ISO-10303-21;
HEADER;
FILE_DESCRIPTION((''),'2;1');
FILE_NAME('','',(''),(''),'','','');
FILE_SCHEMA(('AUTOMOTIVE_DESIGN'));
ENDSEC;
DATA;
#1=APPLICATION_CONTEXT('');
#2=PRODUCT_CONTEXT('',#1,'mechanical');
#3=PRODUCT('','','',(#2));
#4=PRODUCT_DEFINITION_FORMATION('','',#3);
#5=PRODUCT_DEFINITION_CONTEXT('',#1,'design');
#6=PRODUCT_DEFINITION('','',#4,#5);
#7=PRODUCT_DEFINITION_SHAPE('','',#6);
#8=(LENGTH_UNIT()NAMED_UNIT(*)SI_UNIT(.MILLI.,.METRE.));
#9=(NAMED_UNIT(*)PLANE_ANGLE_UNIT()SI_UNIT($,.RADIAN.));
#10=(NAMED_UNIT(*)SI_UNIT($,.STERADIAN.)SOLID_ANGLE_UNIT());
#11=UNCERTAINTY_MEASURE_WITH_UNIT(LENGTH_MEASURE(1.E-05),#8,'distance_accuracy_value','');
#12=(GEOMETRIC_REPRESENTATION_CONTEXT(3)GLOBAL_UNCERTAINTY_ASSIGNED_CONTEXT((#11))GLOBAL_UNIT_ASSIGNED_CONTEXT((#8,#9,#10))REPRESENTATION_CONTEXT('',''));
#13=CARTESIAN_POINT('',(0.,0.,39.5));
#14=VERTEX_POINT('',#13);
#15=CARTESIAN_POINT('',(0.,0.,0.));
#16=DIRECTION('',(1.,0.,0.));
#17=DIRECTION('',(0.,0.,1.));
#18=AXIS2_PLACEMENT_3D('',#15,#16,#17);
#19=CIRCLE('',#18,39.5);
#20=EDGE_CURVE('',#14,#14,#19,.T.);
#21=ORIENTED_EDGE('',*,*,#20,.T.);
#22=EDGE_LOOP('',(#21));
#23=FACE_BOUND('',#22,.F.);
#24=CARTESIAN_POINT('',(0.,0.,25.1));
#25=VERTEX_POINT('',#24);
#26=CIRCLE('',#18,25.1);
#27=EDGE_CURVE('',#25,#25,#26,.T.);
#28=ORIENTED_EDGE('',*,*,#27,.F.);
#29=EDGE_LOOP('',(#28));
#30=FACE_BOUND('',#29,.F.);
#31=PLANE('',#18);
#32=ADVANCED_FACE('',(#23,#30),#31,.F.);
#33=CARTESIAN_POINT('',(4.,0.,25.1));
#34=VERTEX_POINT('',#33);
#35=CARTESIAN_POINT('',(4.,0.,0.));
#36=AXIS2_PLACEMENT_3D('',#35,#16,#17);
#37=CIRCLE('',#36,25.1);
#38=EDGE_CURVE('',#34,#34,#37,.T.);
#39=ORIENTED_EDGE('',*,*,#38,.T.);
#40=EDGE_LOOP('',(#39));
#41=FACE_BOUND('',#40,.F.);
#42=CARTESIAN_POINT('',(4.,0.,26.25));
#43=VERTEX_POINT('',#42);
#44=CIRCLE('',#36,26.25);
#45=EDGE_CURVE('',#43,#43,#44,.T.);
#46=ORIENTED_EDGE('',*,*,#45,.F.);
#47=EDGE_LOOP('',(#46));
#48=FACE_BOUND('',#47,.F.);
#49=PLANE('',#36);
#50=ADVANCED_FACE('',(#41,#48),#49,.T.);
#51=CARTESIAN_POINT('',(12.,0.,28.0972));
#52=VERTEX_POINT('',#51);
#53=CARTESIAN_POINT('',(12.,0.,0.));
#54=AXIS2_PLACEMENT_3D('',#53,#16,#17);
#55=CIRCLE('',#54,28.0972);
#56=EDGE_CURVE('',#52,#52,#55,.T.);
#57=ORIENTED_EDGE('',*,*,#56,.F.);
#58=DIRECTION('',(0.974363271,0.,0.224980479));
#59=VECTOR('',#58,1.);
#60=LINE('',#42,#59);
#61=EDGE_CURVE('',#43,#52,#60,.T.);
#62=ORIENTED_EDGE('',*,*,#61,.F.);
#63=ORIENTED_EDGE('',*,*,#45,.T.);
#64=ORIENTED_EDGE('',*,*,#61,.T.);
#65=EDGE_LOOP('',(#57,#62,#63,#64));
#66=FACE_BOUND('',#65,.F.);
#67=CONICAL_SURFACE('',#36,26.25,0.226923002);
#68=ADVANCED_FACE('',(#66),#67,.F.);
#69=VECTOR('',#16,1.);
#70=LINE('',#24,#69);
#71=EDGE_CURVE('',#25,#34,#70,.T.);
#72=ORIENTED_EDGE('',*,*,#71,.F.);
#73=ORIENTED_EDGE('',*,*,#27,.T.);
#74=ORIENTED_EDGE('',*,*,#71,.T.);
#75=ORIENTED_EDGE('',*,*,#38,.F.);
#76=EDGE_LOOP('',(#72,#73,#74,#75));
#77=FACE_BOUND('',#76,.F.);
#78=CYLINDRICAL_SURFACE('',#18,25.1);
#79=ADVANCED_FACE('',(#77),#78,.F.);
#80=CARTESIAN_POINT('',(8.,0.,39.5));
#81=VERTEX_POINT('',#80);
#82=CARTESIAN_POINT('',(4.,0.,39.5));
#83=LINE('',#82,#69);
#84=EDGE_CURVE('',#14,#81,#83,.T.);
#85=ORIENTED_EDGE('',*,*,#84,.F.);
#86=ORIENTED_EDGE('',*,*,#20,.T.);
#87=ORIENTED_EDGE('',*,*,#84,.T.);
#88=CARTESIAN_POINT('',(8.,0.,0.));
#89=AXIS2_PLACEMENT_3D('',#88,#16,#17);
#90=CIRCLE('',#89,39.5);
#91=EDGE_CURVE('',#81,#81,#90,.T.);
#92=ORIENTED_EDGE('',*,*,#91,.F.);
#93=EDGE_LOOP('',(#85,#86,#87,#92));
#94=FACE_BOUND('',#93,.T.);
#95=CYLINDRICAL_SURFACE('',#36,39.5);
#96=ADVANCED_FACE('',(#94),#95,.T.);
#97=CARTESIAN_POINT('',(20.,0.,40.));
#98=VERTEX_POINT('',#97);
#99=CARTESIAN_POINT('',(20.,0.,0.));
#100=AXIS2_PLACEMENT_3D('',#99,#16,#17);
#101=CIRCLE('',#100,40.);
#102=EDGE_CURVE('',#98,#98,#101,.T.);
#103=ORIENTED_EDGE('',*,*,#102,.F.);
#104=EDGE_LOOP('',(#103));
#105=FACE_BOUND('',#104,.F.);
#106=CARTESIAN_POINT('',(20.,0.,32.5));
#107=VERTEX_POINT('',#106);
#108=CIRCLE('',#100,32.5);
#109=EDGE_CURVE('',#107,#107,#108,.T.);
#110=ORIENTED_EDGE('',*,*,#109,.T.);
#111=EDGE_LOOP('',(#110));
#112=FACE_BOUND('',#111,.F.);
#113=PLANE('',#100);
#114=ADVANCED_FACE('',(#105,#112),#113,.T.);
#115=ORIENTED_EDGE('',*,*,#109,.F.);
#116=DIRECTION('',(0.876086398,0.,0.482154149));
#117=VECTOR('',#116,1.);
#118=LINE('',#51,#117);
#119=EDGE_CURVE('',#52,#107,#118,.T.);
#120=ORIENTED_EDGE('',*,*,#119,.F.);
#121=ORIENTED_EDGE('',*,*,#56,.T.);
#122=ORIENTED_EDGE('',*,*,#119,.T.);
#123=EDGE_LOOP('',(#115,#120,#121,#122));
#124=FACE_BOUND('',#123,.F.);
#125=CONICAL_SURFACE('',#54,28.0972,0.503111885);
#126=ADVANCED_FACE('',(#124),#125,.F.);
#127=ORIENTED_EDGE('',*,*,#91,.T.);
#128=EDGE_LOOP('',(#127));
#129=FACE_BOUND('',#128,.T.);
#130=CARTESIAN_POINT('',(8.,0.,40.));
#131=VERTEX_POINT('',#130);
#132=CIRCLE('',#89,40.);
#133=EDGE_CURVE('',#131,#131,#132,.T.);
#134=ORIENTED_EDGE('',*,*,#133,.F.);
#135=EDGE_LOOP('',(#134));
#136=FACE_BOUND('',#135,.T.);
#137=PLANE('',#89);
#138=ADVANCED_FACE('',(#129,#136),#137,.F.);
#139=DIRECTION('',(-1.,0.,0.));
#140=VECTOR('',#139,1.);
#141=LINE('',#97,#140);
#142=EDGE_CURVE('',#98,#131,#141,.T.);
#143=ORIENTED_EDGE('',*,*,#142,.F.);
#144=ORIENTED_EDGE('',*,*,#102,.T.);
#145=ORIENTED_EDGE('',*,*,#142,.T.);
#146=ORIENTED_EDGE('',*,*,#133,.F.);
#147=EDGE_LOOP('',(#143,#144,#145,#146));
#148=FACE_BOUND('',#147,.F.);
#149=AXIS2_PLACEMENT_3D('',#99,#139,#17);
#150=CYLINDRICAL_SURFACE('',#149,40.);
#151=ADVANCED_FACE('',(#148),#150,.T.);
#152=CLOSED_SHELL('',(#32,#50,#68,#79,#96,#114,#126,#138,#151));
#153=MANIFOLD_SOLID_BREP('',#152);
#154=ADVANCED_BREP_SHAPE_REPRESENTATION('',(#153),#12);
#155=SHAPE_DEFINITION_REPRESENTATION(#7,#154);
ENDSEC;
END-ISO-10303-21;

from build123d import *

# Parameters (mm, degrees)
F2_W = 8
F2_H = 0.5


with BuildPart() as f1:
    # F0 (on Front) → F1 (revolve)
    with BuildSketch(Plane.XZ):
        Polygon((20, 40), (0, 40), (0, 25.1), (4, 25.1), (4, 26.25), (12, 28.0972), (20, 32.5), align=None)
    revolve(axis=Axis((11.28888, 0, 0), (1, 0, 0)))

    # F2 (on Front) → F3 (revolve, cut)
    with BuildSketch(Plane.XZ):
        with Locations((4, 39.75)):
            Rectangle(F2_W, F2_H)
    revolve(axis=Axis((17.787712, 0, 0), (1, 0, 0)), mode=Mode.SUBTRACT)


solid = f1.part
